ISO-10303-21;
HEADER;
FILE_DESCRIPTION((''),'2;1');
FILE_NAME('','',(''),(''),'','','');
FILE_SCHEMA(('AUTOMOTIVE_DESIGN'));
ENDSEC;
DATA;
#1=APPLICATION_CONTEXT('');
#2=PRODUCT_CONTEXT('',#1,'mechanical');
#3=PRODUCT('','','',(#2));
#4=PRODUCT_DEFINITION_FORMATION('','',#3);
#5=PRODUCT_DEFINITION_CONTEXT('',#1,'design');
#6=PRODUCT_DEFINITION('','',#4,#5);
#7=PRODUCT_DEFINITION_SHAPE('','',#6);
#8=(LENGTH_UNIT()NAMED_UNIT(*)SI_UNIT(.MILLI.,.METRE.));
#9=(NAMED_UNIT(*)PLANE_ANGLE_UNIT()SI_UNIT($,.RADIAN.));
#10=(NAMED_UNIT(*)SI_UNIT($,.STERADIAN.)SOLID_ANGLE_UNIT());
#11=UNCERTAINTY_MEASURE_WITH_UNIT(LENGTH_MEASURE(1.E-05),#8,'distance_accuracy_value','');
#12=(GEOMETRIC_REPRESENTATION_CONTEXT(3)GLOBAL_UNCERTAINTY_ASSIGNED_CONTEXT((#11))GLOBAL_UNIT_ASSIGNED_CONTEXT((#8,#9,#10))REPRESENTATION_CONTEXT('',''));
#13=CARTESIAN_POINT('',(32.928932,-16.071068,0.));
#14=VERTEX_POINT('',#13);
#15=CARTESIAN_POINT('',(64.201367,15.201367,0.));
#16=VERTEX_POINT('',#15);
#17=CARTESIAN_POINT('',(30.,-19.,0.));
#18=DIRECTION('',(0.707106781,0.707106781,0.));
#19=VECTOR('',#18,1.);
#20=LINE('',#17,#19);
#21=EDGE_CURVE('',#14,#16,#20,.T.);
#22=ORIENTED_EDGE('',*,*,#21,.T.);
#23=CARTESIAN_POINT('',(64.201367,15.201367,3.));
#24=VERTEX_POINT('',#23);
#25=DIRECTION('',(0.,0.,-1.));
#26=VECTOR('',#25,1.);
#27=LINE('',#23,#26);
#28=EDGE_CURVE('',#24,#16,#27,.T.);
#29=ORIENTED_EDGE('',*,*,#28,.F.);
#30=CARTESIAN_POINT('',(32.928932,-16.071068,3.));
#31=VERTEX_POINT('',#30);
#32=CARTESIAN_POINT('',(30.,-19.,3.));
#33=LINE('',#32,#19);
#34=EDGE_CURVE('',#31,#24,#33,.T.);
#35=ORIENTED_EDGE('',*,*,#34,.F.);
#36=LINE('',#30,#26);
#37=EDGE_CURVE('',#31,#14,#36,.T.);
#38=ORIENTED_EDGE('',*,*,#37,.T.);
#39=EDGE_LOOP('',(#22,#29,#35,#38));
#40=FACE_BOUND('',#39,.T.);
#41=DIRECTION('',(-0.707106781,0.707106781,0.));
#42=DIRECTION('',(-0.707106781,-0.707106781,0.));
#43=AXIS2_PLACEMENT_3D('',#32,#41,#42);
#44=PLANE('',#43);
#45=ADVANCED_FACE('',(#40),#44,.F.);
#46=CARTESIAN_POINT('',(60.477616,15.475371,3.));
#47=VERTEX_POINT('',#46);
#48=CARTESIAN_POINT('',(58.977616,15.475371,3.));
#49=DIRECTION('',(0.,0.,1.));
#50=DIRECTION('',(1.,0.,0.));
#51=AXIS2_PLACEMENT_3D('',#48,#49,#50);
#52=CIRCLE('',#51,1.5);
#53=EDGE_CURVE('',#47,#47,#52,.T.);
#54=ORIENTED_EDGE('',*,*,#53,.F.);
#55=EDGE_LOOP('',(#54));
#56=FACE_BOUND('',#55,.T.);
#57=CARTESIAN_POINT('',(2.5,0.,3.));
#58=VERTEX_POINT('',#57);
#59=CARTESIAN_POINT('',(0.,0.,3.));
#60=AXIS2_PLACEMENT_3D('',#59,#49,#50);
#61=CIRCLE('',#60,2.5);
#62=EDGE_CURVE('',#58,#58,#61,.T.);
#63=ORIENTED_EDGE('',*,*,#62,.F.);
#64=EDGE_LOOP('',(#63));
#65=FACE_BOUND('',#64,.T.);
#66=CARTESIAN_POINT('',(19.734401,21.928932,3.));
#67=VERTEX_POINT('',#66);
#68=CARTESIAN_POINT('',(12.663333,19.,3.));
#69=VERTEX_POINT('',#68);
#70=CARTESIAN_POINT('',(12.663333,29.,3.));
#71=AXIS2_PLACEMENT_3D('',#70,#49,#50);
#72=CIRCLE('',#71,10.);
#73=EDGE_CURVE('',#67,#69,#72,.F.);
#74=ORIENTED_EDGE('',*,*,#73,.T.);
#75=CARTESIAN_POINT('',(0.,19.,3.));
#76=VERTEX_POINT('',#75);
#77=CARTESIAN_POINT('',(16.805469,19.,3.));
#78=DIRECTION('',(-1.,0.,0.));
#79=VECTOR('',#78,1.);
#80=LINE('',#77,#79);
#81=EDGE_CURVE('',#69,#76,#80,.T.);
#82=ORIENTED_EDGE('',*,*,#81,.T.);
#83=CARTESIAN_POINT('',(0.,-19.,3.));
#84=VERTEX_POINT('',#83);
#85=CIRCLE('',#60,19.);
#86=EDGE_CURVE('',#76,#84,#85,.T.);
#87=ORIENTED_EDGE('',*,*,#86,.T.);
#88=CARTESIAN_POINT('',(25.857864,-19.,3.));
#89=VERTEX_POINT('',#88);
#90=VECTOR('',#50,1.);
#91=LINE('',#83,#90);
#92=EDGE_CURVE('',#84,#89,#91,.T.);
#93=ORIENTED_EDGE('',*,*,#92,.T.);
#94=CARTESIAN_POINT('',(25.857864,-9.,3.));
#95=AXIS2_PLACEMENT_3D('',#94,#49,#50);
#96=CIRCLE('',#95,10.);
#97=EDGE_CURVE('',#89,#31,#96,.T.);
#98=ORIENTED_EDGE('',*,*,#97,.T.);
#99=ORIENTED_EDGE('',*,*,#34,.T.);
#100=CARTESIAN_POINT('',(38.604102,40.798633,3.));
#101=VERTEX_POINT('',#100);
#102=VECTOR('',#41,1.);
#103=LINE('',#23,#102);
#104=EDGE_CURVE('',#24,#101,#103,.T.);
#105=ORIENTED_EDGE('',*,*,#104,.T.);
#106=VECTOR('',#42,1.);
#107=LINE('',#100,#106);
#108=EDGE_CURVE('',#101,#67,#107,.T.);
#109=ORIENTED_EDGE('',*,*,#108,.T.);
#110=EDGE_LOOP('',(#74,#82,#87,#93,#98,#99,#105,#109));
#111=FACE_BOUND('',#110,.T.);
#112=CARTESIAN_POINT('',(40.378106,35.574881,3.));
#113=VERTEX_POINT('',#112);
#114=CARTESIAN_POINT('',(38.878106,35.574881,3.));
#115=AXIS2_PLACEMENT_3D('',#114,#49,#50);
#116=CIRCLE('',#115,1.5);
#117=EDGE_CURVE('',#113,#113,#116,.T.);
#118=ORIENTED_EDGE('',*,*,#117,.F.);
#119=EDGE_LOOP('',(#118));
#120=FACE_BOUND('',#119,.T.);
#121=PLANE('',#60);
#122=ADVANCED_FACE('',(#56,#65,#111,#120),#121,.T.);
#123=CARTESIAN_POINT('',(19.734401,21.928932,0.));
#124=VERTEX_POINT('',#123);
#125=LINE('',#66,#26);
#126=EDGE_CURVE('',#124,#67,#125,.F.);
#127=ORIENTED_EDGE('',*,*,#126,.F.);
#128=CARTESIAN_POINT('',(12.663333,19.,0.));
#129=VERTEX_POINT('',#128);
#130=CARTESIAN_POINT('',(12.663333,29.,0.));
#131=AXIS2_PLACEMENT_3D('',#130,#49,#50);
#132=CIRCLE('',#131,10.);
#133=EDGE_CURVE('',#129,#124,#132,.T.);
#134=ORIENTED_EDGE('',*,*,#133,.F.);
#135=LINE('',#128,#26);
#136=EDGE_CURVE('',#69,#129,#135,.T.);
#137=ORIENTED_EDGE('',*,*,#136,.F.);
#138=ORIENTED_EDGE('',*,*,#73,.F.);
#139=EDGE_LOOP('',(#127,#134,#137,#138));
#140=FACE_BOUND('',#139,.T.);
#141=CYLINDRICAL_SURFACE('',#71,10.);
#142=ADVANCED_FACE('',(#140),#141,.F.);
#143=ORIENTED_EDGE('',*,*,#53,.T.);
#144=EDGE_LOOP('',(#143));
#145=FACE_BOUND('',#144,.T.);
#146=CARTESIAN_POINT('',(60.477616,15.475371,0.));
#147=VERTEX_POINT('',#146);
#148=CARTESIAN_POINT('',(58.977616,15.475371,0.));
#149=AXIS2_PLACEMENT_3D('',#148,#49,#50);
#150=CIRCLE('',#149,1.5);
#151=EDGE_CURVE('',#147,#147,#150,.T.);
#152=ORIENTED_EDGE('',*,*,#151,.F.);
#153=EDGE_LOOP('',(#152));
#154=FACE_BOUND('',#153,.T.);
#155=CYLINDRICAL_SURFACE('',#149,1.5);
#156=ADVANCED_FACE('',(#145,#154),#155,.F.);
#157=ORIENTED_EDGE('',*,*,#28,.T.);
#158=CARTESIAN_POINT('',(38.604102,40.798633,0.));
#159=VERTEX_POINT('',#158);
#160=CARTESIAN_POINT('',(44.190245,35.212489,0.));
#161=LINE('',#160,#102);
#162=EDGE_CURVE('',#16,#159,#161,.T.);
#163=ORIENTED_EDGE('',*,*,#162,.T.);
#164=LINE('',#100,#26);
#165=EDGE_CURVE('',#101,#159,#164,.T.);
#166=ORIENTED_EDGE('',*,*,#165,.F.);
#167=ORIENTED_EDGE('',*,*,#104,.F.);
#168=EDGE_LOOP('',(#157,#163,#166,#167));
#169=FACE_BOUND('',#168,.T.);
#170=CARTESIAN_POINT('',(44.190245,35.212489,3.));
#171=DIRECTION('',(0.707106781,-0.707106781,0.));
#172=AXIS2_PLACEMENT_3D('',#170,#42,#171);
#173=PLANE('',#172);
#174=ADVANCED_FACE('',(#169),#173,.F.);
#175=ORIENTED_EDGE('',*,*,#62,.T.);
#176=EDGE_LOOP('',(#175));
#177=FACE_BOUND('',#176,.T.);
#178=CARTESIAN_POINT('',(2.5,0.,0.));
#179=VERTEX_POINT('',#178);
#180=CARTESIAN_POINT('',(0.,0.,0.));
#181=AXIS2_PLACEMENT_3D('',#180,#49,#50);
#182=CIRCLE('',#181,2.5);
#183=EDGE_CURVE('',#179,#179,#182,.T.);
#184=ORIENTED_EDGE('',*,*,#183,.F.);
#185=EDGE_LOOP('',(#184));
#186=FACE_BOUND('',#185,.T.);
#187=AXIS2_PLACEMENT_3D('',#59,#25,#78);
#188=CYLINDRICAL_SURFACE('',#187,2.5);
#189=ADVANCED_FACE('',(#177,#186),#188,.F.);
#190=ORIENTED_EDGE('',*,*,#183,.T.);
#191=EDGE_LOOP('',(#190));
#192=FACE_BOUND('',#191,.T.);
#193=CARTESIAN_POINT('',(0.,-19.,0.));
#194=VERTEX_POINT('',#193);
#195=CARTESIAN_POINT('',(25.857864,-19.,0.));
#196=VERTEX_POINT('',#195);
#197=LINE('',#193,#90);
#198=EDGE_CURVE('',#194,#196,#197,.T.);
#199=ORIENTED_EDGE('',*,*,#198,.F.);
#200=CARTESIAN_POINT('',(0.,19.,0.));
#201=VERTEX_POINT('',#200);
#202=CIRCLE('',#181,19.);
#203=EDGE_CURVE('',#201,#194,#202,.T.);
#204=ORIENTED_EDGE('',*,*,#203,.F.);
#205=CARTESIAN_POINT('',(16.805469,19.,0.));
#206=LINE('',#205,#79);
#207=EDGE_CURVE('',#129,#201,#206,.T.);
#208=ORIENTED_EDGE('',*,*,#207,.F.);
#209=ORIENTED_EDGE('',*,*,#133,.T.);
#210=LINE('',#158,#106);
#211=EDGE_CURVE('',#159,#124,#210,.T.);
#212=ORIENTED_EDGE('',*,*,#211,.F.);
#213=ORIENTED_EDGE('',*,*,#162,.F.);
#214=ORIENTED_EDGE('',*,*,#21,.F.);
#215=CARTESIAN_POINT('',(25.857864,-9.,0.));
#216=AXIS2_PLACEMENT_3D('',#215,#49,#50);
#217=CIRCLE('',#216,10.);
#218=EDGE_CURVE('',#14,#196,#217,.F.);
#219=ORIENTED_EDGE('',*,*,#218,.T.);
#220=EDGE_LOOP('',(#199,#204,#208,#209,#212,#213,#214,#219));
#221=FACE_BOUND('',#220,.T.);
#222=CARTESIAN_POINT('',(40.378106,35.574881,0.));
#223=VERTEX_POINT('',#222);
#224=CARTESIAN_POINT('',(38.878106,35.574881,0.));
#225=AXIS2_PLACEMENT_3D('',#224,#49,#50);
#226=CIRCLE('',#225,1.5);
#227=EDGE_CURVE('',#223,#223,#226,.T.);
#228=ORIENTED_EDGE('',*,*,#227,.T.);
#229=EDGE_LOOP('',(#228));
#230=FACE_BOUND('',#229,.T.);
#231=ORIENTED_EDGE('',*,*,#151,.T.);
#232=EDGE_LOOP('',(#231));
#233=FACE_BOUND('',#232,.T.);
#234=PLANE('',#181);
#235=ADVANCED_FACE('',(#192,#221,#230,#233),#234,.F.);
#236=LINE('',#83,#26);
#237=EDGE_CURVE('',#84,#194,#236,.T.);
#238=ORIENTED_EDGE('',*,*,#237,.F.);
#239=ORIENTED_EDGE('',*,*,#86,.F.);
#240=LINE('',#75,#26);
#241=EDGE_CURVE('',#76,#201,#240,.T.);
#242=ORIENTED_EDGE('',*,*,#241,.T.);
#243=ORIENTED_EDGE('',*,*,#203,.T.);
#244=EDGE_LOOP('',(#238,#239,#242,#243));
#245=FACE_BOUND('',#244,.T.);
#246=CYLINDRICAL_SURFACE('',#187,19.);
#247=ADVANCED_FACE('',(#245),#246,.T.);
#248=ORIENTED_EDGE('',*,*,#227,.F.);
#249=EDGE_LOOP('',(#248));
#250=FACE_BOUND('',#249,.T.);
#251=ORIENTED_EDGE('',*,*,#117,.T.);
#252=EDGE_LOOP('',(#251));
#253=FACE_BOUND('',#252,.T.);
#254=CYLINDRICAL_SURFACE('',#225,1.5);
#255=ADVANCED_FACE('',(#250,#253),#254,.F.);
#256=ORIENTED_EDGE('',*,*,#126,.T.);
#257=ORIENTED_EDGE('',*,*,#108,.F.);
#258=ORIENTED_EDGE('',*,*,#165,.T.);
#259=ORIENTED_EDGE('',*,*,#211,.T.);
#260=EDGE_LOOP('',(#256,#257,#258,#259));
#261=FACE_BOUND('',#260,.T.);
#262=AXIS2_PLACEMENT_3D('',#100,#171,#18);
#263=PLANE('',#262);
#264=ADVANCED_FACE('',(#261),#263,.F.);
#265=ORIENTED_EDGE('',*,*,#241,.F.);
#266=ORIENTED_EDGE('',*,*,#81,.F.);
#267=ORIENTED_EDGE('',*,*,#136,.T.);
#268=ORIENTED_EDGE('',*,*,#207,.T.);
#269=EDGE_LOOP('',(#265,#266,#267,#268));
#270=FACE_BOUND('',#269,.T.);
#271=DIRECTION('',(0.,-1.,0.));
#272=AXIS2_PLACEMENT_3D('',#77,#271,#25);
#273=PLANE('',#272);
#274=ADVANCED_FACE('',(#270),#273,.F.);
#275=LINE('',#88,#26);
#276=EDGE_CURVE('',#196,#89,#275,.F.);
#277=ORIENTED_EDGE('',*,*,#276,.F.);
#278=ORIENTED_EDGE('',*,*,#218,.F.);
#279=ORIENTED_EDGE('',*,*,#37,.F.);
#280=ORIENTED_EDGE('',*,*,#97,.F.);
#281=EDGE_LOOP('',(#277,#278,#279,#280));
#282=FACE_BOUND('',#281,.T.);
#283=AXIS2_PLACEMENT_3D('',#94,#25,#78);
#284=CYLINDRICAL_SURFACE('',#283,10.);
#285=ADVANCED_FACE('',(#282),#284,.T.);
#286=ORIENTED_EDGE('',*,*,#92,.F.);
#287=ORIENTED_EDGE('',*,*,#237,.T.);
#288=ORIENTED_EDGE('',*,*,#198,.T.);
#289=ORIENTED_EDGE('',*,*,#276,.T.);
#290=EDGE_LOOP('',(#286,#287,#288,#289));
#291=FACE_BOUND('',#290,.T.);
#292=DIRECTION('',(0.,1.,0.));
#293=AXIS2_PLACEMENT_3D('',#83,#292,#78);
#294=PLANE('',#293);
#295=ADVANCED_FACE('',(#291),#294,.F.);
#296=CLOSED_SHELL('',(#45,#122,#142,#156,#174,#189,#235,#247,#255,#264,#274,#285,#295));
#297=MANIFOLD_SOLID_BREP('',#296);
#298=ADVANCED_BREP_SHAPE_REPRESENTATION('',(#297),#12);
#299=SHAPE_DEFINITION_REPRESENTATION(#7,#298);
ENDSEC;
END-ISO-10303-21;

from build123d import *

# Parameters (mm, degrees)
SKETCH1_R           = 2.5
BOSS_EXTRUDE1_DEPTH = 3
SKETCH2_R           = 1.5
CUT_EXTRUDE1_DEPTH  = 77.127156728
FILLET1_R           = 10


with BuildPart() as part:
    # Sketch1 → Boss-Extrude1 (new body)
    with BuildSketch(Plane.XY):
        with BuildLine():
            Line((0, -19), (30, -19))
            Line((30, -19), (64.201367261, 15.201367261))
            Line((64.201367261, 15.201367261), (58.615223689, 20.787510832))
            Line((58.615223689, 20.787510832), (44.190245353, 35.212489168))
            Line((44.190245353, 35.212489168), (38.604101782, 40.798632739))
            Line((38.604101782, 40.798632739), (16.805469042, 19))
            Line((16.805469042, 19), (0, 19))
            ThreePointArc((0, 19), (-19, 0), (0, -19))
        make_face()
        Circle(SKETCH1_R, mode=Mode.SUBTRACT)
    extrude(amount=BOSS_EXTRUDE1_DEPTH)

    # Sketch2 → Cut-Extrude1 (cut, through all)
    with BuildSketch(Plane.XY.offset(3)):
        with Locations((38.878105659, 35.574881393)):
            Circle(SKETCH2_R)
        with Locations((58.977615915, 15.475371138)):
            Circle(SKETCH2_R)
    extrude(amount=-CUT_EXTRUDE1_DEPTH, mode=Mode.SUBTRACT)

    # Fillet1
    fillet1_edges = [part.edges().sort_by_distance(p)[0] for p in [
        (16.805469042, 19, 1.5),
        (30, -19, 1.5),
    ]]
    fillet(fillet1_edges, radius=FILLET1_R)


solid = part.part
